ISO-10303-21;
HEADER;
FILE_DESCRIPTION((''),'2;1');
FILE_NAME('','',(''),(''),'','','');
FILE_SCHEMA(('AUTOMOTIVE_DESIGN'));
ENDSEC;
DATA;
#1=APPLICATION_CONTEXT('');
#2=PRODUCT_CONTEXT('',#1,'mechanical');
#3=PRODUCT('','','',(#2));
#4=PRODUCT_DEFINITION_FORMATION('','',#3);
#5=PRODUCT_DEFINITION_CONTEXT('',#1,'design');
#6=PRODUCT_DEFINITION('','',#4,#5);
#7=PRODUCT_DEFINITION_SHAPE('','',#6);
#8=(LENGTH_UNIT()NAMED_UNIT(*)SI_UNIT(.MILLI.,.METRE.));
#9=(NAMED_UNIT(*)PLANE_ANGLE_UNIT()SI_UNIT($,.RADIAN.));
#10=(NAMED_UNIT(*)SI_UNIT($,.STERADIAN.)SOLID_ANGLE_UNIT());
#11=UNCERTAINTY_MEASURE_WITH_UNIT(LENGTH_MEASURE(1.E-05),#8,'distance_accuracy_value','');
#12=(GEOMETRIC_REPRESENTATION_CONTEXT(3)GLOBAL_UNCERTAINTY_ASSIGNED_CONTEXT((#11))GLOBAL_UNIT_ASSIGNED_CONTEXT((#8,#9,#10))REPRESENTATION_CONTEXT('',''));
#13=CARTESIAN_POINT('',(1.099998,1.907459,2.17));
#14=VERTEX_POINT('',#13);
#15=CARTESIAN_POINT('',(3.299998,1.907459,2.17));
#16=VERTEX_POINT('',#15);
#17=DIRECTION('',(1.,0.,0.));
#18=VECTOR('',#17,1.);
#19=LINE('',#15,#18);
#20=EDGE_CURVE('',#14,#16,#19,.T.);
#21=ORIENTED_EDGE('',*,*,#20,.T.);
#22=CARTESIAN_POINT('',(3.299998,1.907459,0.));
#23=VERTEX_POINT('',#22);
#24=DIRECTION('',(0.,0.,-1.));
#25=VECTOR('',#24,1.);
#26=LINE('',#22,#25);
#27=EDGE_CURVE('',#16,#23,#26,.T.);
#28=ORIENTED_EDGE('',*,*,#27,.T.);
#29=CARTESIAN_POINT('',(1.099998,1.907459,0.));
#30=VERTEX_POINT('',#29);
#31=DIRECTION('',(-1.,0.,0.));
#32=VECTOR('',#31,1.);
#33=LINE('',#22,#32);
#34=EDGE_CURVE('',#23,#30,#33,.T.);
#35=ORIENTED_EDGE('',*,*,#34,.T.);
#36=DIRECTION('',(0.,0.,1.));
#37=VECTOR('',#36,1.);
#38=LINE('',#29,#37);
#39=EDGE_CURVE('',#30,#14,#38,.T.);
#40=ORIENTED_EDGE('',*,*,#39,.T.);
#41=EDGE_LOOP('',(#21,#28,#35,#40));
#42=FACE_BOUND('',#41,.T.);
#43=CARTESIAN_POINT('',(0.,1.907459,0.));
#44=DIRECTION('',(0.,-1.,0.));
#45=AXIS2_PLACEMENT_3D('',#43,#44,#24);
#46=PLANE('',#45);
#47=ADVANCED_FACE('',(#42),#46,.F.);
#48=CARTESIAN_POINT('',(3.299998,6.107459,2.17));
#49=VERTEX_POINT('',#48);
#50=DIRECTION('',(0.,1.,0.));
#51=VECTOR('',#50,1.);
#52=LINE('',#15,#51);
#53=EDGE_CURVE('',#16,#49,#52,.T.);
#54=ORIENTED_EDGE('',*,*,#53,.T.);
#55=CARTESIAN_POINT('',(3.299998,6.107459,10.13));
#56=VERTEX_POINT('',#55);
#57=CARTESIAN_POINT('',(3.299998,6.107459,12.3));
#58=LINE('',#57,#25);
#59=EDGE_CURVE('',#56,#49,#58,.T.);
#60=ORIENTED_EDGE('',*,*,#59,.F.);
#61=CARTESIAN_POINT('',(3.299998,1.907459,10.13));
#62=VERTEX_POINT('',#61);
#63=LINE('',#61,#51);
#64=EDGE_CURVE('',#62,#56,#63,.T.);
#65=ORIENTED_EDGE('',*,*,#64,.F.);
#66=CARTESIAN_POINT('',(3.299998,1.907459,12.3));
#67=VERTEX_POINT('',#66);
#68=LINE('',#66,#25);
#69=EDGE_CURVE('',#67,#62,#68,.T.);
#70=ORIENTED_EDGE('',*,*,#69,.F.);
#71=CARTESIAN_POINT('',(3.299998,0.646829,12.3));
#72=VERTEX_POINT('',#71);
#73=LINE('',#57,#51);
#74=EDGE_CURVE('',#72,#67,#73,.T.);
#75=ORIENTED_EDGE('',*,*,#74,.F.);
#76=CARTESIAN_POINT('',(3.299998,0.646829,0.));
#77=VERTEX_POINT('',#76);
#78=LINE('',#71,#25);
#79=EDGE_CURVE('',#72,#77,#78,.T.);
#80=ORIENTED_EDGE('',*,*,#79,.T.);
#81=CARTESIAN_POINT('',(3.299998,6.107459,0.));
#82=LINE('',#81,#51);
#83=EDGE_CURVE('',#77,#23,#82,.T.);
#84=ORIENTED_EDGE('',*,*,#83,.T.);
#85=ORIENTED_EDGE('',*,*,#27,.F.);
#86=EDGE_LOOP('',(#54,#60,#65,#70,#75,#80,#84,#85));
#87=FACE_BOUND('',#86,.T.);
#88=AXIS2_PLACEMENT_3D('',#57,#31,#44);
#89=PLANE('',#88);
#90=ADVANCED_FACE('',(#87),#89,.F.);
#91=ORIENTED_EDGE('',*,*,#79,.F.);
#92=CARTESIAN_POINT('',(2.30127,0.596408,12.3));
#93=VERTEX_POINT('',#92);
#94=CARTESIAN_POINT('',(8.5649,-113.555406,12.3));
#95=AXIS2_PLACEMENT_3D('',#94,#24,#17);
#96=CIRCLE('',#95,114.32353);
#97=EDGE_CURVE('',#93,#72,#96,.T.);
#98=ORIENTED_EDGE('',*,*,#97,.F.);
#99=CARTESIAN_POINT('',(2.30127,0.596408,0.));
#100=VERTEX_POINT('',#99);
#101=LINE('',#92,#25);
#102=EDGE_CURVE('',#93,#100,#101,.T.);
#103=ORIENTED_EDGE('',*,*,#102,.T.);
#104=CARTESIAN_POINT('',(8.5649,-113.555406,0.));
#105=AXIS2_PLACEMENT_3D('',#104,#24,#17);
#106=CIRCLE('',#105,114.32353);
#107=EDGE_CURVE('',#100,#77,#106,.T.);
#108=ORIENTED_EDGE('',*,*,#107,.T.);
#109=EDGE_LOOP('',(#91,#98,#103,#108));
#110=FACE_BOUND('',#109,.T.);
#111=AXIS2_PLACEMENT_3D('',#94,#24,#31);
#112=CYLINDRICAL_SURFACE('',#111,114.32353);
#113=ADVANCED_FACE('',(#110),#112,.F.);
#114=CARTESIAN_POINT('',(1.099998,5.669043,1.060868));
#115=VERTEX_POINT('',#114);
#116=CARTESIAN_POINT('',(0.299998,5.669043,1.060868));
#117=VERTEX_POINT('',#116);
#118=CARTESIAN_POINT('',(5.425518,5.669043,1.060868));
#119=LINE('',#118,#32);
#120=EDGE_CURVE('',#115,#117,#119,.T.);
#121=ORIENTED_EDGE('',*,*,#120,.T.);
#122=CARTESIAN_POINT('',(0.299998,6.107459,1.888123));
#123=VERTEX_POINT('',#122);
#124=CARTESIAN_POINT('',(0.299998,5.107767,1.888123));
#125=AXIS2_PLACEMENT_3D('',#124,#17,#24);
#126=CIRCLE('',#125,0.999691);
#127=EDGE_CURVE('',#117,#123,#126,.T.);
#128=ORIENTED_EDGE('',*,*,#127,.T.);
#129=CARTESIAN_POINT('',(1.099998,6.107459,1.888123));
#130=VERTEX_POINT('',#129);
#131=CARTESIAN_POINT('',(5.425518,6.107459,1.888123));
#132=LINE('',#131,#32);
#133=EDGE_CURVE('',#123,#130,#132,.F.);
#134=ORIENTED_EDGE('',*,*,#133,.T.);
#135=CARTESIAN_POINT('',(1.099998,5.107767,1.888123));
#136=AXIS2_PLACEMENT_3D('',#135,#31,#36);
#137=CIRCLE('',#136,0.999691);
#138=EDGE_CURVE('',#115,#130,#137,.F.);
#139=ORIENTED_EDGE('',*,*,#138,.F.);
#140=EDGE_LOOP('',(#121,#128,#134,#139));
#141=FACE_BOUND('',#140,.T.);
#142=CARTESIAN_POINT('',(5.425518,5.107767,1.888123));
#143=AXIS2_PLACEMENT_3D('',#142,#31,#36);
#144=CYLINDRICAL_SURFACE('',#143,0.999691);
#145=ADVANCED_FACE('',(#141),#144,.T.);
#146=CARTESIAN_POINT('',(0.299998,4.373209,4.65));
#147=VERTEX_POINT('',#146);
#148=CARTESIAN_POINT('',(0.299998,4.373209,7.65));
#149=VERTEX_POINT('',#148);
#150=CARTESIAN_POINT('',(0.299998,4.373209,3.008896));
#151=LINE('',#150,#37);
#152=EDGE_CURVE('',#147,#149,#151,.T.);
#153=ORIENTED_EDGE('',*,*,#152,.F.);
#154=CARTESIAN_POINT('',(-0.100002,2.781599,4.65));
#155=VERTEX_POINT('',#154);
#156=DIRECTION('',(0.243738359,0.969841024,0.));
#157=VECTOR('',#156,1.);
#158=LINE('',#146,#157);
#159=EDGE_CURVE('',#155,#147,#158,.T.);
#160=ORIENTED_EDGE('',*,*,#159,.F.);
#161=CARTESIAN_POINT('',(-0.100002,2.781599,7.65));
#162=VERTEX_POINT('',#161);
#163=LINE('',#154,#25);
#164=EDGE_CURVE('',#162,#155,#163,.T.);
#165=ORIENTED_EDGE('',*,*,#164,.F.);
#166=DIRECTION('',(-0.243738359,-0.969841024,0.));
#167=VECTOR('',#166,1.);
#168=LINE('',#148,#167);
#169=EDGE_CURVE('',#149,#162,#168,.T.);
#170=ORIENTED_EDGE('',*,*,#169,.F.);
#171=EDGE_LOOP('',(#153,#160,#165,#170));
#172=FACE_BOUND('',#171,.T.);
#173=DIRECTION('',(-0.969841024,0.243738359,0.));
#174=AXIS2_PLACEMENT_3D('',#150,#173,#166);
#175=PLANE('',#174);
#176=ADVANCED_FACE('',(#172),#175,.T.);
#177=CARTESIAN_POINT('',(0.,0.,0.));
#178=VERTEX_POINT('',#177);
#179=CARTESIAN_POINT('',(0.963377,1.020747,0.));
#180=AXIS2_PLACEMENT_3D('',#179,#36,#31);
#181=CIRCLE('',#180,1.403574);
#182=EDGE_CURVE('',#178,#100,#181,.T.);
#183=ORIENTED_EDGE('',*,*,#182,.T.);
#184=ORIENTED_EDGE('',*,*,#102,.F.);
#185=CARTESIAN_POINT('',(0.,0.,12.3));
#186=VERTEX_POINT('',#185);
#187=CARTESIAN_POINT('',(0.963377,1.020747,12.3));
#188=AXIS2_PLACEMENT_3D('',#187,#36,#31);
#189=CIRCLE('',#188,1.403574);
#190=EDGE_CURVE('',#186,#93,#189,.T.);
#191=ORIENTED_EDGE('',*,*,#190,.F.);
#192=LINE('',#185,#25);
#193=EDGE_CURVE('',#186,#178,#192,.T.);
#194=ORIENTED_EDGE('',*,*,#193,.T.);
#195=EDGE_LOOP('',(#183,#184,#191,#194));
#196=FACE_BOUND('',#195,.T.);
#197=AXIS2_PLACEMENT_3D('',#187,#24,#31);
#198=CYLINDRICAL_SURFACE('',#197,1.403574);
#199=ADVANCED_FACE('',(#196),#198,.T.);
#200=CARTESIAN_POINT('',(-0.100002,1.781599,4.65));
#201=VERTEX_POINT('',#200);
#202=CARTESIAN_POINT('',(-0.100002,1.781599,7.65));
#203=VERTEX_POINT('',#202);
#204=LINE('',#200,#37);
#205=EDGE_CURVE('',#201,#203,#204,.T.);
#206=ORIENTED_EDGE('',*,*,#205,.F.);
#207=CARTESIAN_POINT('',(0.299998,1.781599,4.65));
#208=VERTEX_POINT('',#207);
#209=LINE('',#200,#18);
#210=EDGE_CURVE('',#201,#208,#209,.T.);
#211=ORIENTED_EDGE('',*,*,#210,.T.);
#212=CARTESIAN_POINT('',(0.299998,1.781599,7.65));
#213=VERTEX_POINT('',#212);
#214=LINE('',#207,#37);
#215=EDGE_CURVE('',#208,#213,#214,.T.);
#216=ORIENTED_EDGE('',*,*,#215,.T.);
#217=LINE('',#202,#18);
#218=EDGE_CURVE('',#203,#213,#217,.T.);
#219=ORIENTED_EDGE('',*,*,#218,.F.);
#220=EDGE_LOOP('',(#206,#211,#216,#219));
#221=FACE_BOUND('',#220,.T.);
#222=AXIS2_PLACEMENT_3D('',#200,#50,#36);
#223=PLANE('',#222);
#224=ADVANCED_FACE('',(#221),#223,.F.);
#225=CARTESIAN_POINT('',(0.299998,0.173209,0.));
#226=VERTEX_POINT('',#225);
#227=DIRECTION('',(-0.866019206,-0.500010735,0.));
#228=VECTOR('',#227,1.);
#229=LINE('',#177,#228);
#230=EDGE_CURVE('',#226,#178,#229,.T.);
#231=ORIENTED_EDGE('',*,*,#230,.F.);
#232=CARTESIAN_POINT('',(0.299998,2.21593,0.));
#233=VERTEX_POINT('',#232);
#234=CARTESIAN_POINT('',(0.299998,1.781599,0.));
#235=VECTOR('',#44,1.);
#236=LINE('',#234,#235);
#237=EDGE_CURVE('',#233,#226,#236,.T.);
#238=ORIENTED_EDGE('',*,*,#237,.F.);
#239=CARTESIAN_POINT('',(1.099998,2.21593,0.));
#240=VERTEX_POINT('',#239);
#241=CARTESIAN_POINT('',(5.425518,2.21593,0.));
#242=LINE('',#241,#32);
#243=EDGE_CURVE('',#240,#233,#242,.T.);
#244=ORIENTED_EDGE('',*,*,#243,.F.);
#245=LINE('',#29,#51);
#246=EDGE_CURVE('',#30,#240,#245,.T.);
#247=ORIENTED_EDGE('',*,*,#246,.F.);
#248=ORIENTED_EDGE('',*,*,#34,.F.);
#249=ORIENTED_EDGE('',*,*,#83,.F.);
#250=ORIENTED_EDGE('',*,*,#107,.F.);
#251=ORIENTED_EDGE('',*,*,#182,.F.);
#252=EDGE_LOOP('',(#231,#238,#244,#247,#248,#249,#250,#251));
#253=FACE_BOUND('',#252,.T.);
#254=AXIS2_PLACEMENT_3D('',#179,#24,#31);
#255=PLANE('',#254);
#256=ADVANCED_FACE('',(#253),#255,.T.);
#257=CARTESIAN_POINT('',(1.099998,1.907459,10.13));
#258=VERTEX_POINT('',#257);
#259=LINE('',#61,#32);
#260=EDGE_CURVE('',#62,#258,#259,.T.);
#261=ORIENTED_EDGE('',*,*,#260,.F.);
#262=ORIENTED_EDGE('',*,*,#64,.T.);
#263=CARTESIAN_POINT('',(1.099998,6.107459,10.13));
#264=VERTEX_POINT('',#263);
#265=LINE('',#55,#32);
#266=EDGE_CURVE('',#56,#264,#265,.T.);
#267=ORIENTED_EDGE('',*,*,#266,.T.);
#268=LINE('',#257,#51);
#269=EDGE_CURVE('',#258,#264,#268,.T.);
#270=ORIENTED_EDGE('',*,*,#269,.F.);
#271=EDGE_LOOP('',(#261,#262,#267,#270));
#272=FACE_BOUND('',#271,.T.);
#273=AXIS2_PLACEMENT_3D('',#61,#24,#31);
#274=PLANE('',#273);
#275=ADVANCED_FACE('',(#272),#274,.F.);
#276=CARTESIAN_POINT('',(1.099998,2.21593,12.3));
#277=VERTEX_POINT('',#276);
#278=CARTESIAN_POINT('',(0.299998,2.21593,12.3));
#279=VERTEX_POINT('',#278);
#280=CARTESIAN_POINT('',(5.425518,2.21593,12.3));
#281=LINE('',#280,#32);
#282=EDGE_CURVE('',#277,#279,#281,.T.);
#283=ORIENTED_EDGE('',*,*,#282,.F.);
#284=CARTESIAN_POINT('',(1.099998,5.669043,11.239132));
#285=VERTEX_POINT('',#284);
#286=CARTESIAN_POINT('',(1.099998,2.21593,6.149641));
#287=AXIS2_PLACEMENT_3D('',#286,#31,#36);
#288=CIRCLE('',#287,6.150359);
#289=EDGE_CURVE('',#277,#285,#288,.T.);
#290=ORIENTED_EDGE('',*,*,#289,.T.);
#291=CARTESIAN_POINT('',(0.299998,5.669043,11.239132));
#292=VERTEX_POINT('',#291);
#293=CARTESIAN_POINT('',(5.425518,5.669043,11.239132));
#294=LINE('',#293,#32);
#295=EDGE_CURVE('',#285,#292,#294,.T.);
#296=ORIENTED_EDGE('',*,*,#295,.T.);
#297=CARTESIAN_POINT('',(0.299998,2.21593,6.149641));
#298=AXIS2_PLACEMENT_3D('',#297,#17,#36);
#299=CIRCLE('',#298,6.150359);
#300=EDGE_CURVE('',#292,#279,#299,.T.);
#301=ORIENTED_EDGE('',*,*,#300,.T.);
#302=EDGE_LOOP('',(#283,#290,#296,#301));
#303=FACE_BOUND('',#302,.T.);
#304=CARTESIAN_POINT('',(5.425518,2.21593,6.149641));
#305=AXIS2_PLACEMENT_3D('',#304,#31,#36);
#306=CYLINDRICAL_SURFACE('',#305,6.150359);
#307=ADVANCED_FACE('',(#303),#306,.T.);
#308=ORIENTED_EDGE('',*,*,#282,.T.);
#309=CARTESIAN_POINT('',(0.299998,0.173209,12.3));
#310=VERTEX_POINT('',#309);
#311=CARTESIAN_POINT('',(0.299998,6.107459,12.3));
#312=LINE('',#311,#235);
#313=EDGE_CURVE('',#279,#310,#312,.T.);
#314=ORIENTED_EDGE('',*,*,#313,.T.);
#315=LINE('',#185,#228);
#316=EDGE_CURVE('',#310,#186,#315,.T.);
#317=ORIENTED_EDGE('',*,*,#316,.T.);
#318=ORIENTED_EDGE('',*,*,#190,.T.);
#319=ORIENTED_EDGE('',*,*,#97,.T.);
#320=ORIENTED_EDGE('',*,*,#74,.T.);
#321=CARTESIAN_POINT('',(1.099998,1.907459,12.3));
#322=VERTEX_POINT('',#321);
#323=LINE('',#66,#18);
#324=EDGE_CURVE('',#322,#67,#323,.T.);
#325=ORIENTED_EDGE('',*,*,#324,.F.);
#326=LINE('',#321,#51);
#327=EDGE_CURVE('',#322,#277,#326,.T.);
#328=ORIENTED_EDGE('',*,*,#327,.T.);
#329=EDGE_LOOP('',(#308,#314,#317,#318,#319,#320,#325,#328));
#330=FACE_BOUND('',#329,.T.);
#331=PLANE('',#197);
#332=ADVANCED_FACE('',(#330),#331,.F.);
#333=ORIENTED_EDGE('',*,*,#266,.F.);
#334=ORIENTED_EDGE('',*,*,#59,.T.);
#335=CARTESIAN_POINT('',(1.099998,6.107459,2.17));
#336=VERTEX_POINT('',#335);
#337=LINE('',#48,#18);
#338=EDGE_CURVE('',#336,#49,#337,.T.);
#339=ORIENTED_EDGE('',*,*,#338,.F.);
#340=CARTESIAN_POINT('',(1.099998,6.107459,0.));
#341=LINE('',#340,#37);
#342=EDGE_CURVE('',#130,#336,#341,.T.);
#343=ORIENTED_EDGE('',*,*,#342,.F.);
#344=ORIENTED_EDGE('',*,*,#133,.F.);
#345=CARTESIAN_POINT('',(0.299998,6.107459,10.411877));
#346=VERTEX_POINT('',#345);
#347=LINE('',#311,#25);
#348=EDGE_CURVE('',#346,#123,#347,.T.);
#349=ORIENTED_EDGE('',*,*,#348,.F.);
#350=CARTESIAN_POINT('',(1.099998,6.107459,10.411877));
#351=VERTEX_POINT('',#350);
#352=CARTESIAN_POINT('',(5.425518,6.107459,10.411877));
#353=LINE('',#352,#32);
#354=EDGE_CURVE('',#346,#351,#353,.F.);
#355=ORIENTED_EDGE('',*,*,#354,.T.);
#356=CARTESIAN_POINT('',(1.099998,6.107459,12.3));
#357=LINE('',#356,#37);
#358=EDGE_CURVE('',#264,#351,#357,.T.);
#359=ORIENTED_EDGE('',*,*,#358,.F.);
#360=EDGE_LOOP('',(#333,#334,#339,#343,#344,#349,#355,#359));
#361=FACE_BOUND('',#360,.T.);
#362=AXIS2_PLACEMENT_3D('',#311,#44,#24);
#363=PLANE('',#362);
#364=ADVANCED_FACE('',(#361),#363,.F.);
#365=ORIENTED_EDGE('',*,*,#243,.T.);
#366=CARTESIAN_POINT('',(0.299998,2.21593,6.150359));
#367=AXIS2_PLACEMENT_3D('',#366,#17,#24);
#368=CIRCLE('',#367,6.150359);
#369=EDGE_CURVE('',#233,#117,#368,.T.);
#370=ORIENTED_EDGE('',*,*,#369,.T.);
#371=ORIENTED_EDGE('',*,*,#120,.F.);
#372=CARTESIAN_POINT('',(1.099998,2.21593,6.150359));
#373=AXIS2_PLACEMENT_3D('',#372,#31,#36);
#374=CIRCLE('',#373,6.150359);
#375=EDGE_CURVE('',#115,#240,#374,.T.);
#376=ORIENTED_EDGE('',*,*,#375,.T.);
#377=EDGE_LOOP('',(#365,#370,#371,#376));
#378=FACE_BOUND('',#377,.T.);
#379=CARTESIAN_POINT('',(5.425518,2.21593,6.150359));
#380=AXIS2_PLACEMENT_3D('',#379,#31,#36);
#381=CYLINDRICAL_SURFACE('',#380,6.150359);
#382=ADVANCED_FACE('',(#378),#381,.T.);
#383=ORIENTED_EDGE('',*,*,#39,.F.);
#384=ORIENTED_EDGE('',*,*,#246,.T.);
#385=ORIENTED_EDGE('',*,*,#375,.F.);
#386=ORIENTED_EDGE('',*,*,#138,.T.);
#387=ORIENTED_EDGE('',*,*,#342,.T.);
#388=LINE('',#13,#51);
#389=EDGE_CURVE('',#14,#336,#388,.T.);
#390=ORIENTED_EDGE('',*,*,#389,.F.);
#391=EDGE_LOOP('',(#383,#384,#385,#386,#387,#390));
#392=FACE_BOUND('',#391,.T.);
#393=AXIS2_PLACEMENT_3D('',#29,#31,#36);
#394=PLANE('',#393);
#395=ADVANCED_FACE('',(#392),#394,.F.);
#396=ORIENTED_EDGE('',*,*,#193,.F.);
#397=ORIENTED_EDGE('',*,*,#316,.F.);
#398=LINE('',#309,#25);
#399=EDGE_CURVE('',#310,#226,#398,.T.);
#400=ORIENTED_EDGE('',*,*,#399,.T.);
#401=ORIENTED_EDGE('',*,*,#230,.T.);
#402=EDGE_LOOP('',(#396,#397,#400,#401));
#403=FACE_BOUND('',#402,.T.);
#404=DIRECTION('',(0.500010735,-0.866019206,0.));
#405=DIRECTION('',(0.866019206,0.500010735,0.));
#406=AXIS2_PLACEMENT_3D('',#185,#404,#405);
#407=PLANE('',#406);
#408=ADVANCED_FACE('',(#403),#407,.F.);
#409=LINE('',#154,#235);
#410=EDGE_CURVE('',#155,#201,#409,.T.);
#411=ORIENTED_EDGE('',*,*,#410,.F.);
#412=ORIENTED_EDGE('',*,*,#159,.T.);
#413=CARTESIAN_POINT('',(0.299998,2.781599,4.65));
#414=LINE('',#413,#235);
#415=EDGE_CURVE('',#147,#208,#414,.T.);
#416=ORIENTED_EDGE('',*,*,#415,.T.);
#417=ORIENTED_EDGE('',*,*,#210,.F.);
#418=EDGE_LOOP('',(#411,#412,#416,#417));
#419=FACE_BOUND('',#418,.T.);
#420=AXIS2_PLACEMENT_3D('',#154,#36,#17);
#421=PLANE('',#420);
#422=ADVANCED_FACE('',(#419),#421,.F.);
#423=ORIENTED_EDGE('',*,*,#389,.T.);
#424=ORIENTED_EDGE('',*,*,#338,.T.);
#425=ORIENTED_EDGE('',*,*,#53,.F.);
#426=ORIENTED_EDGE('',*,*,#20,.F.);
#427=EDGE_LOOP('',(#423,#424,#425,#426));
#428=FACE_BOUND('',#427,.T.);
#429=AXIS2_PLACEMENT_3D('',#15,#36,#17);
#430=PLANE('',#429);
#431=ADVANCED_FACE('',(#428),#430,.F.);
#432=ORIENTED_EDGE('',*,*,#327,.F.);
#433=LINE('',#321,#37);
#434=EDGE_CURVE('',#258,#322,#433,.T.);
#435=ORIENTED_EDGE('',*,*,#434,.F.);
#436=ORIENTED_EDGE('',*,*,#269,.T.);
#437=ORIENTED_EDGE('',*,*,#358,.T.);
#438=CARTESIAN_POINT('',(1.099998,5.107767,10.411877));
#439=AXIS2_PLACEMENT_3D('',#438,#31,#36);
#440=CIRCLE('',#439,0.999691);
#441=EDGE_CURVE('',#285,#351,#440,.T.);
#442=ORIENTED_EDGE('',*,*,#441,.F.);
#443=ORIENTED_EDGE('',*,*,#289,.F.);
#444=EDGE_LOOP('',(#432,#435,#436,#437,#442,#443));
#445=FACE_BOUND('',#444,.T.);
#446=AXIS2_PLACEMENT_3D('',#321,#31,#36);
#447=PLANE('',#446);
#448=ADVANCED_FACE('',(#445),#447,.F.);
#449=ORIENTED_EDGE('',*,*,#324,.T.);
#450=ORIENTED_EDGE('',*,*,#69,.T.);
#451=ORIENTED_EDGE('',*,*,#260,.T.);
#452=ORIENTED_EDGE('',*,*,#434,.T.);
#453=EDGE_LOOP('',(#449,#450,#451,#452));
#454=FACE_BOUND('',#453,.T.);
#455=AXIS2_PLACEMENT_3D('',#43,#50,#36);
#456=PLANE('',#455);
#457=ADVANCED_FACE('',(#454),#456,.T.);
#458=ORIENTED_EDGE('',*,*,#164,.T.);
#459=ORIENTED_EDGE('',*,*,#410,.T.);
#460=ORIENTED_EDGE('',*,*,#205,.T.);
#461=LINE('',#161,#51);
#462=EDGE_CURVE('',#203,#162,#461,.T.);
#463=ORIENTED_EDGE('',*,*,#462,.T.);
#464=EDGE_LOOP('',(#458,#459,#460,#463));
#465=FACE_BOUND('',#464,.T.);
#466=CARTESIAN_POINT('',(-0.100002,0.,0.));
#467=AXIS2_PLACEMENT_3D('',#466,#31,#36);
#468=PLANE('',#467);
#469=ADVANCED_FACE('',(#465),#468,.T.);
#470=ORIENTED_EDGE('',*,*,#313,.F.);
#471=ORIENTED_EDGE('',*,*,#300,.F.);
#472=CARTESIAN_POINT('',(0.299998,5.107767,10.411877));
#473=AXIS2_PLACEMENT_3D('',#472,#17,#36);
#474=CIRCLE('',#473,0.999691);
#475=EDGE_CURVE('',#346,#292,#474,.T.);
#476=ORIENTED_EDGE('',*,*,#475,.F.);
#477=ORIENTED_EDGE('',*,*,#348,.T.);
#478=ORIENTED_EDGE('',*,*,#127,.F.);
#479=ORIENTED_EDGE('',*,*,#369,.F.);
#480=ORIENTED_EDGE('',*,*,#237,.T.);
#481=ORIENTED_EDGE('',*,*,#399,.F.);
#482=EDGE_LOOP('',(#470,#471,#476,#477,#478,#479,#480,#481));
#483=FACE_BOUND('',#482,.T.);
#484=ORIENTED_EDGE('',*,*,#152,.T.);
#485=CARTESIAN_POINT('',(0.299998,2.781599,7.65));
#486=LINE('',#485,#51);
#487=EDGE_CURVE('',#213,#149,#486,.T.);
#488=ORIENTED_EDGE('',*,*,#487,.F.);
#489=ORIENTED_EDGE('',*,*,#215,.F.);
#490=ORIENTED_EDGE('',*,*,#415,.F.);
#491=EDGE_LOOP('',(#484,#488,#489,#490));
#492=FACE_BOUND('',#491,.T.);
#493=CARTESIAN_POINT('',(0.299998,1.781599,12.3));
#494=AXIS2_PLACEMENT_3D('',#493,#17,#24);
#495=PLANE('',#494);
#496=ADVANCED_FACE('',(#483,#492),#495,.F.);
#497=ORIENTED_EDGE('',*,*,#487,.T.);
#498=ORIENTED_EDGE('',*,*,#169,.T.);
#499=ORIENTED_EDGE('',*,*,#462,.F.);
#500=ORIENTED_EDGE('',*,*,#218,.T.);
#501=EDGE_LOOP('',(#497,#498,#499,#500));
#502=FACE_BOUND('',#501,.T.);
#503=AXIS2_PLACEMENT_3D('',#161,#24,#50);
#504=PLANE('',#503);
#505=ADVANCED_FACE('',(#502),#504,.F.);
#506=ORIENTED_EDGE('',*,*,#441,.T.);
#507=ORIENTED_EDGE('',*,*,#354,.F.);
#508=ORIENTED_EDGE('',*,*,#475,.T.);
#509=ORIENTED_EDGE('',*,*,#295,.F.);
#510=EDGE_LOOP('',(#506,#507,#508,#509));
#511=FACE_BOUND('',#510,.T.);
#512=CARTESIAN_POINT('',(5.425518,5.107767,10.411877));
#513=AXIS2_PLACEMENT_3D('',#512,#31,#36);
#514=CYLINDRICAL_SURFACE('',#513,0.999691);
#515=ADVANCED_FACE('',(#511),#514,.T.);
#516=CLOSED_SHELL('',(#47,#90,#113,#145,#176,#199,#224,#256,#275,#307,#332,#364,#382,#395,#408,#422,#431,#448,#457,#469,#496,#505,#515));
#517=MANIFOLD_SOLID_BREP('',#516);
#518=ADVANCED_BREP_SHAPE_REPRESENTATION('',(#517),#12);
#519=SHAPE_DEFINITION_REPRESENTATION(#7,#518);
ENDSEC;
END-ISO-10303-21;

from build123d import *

# Parameters (mm, degrees)
BOSS_EXTRUDE1_DEPTH = 12.3
SKETCH2_W           = 2.2
SKETCH2_H           = 2.17
CUT_EXTRUDE1_DEPTH  = 4.2
CUT_EXTRUDE3_DEPTH  = 0.8
SKETCH5_W           = 3
SKETCH5_H           = 1
BOSS_EXTRUDE2_DEPTH = 0.4
BOSS_EXTRUDE3_DEPTH = 3


with BuildPart() as part:
    # Sketch1 → Boss-Extrude1 (new body)
    with BuildSketch(Plane.XY):
        with BuildLine():
            Line((0, 0), (0.299997713, 0.173208719))
            Line((0.299997713, 0.173208719), (0.299997713, 1.781598719))
            Line((0.299997713, 1.781598719), (0.299997713, 6.107458719))
            Line((0.299997713, 6.107458719), (3.299997713, 6.107458719))
            Line((3.299997713, 6.107458719), (3.299997713, 0.646828719))
            ThreePointArc((3.299997713, 0.646828719), (2.80057856, 0.622710158), (2.301269667, 0.596407591))
            ThreePointArc((2.301269667, 0.596407591), (1.315500673, -0.337939607), (0, 0))
        make_face()
    extrude(amount=BOSS_EXTRUDE1_DEPTH)

    # Sketch2 → Cut-Extrude1 (cut)
    with BuildSketch(Plane(origin=(0, 6.107458719, 0), x_dir=(1, 0, 0), z_dir=(0, 1, 0))):
        with Locations((2.199997713, -1.085)):
            Rectangle(SKETCH2_W, SKETCH2_H)
        with Locations((2.199997713, -11.215)):
            Rectangle(SKETCH2_W, SKETCH2_H)
    extrude(amount=-CUT_EXTRUDE1_DEPTH, mode=Mode.SUBTRACT)

    # Sketch4 → Cut-Extrude3 (cut)
    with BuildSketch(Plane.ZY.offset(-0.299997713)):
        with BuildLine():
            Line((10.41158, 6.107458719), (12.3, 6.107458719))
            Line((12.3, 6.107458719), (12.3, 2.215929667))
            ThreePointArc((12.3, 2.215929667), (12.02880398, 4.022129667), (11.23913234, 5.669043272))
            ThreePointArc((11.23913234, 5.669043272), (10.879869522, 5.991150317), (10.41158, 6.107458719))
        make_face()
        with BuildLine():
            Line((1.88842, 6.107458719), (0, 6.107458719))
            Line((0, 6.107458719), (0, 2.215929667))
            ThreePointArc((0, 2.215929667), (0.27119602, 4.022129667), (1.06086766, 5.669043272))
            ThreePointArc((1.06086766, 5.669043272), (1.420130478, 5.991150317), (1.88842, 6.107458719))
        make_face()
    extrude(amount=-CUT_EXTRUDE3_DEPTH, mode=Mode.SUBTRACT)

    # Sketch5 → Boss-Extrude2 (add)
    with BuildSketch(Plane.ZY.offset(-0.299997713)):
        with Locations((6.15, 2.281598719)):
            Rectangle(SKETCH5_W, SKETCH5_H)
    extrude(amount=BOSS_EXTRUDE2_DEPTH)

    # Sketch6 → Boss-Extrude3 (add)
    with BuildSketch(Plane.XY.offset(7.65)):
        Polygon((0.299997713, 2.781598719), (0.299997713, 4.373208719), (-0.100002287, 2.781598719), align=None)
    extrude(amount=-BOSS_EXTRUDE3_DEPTH)


solid = part.part
